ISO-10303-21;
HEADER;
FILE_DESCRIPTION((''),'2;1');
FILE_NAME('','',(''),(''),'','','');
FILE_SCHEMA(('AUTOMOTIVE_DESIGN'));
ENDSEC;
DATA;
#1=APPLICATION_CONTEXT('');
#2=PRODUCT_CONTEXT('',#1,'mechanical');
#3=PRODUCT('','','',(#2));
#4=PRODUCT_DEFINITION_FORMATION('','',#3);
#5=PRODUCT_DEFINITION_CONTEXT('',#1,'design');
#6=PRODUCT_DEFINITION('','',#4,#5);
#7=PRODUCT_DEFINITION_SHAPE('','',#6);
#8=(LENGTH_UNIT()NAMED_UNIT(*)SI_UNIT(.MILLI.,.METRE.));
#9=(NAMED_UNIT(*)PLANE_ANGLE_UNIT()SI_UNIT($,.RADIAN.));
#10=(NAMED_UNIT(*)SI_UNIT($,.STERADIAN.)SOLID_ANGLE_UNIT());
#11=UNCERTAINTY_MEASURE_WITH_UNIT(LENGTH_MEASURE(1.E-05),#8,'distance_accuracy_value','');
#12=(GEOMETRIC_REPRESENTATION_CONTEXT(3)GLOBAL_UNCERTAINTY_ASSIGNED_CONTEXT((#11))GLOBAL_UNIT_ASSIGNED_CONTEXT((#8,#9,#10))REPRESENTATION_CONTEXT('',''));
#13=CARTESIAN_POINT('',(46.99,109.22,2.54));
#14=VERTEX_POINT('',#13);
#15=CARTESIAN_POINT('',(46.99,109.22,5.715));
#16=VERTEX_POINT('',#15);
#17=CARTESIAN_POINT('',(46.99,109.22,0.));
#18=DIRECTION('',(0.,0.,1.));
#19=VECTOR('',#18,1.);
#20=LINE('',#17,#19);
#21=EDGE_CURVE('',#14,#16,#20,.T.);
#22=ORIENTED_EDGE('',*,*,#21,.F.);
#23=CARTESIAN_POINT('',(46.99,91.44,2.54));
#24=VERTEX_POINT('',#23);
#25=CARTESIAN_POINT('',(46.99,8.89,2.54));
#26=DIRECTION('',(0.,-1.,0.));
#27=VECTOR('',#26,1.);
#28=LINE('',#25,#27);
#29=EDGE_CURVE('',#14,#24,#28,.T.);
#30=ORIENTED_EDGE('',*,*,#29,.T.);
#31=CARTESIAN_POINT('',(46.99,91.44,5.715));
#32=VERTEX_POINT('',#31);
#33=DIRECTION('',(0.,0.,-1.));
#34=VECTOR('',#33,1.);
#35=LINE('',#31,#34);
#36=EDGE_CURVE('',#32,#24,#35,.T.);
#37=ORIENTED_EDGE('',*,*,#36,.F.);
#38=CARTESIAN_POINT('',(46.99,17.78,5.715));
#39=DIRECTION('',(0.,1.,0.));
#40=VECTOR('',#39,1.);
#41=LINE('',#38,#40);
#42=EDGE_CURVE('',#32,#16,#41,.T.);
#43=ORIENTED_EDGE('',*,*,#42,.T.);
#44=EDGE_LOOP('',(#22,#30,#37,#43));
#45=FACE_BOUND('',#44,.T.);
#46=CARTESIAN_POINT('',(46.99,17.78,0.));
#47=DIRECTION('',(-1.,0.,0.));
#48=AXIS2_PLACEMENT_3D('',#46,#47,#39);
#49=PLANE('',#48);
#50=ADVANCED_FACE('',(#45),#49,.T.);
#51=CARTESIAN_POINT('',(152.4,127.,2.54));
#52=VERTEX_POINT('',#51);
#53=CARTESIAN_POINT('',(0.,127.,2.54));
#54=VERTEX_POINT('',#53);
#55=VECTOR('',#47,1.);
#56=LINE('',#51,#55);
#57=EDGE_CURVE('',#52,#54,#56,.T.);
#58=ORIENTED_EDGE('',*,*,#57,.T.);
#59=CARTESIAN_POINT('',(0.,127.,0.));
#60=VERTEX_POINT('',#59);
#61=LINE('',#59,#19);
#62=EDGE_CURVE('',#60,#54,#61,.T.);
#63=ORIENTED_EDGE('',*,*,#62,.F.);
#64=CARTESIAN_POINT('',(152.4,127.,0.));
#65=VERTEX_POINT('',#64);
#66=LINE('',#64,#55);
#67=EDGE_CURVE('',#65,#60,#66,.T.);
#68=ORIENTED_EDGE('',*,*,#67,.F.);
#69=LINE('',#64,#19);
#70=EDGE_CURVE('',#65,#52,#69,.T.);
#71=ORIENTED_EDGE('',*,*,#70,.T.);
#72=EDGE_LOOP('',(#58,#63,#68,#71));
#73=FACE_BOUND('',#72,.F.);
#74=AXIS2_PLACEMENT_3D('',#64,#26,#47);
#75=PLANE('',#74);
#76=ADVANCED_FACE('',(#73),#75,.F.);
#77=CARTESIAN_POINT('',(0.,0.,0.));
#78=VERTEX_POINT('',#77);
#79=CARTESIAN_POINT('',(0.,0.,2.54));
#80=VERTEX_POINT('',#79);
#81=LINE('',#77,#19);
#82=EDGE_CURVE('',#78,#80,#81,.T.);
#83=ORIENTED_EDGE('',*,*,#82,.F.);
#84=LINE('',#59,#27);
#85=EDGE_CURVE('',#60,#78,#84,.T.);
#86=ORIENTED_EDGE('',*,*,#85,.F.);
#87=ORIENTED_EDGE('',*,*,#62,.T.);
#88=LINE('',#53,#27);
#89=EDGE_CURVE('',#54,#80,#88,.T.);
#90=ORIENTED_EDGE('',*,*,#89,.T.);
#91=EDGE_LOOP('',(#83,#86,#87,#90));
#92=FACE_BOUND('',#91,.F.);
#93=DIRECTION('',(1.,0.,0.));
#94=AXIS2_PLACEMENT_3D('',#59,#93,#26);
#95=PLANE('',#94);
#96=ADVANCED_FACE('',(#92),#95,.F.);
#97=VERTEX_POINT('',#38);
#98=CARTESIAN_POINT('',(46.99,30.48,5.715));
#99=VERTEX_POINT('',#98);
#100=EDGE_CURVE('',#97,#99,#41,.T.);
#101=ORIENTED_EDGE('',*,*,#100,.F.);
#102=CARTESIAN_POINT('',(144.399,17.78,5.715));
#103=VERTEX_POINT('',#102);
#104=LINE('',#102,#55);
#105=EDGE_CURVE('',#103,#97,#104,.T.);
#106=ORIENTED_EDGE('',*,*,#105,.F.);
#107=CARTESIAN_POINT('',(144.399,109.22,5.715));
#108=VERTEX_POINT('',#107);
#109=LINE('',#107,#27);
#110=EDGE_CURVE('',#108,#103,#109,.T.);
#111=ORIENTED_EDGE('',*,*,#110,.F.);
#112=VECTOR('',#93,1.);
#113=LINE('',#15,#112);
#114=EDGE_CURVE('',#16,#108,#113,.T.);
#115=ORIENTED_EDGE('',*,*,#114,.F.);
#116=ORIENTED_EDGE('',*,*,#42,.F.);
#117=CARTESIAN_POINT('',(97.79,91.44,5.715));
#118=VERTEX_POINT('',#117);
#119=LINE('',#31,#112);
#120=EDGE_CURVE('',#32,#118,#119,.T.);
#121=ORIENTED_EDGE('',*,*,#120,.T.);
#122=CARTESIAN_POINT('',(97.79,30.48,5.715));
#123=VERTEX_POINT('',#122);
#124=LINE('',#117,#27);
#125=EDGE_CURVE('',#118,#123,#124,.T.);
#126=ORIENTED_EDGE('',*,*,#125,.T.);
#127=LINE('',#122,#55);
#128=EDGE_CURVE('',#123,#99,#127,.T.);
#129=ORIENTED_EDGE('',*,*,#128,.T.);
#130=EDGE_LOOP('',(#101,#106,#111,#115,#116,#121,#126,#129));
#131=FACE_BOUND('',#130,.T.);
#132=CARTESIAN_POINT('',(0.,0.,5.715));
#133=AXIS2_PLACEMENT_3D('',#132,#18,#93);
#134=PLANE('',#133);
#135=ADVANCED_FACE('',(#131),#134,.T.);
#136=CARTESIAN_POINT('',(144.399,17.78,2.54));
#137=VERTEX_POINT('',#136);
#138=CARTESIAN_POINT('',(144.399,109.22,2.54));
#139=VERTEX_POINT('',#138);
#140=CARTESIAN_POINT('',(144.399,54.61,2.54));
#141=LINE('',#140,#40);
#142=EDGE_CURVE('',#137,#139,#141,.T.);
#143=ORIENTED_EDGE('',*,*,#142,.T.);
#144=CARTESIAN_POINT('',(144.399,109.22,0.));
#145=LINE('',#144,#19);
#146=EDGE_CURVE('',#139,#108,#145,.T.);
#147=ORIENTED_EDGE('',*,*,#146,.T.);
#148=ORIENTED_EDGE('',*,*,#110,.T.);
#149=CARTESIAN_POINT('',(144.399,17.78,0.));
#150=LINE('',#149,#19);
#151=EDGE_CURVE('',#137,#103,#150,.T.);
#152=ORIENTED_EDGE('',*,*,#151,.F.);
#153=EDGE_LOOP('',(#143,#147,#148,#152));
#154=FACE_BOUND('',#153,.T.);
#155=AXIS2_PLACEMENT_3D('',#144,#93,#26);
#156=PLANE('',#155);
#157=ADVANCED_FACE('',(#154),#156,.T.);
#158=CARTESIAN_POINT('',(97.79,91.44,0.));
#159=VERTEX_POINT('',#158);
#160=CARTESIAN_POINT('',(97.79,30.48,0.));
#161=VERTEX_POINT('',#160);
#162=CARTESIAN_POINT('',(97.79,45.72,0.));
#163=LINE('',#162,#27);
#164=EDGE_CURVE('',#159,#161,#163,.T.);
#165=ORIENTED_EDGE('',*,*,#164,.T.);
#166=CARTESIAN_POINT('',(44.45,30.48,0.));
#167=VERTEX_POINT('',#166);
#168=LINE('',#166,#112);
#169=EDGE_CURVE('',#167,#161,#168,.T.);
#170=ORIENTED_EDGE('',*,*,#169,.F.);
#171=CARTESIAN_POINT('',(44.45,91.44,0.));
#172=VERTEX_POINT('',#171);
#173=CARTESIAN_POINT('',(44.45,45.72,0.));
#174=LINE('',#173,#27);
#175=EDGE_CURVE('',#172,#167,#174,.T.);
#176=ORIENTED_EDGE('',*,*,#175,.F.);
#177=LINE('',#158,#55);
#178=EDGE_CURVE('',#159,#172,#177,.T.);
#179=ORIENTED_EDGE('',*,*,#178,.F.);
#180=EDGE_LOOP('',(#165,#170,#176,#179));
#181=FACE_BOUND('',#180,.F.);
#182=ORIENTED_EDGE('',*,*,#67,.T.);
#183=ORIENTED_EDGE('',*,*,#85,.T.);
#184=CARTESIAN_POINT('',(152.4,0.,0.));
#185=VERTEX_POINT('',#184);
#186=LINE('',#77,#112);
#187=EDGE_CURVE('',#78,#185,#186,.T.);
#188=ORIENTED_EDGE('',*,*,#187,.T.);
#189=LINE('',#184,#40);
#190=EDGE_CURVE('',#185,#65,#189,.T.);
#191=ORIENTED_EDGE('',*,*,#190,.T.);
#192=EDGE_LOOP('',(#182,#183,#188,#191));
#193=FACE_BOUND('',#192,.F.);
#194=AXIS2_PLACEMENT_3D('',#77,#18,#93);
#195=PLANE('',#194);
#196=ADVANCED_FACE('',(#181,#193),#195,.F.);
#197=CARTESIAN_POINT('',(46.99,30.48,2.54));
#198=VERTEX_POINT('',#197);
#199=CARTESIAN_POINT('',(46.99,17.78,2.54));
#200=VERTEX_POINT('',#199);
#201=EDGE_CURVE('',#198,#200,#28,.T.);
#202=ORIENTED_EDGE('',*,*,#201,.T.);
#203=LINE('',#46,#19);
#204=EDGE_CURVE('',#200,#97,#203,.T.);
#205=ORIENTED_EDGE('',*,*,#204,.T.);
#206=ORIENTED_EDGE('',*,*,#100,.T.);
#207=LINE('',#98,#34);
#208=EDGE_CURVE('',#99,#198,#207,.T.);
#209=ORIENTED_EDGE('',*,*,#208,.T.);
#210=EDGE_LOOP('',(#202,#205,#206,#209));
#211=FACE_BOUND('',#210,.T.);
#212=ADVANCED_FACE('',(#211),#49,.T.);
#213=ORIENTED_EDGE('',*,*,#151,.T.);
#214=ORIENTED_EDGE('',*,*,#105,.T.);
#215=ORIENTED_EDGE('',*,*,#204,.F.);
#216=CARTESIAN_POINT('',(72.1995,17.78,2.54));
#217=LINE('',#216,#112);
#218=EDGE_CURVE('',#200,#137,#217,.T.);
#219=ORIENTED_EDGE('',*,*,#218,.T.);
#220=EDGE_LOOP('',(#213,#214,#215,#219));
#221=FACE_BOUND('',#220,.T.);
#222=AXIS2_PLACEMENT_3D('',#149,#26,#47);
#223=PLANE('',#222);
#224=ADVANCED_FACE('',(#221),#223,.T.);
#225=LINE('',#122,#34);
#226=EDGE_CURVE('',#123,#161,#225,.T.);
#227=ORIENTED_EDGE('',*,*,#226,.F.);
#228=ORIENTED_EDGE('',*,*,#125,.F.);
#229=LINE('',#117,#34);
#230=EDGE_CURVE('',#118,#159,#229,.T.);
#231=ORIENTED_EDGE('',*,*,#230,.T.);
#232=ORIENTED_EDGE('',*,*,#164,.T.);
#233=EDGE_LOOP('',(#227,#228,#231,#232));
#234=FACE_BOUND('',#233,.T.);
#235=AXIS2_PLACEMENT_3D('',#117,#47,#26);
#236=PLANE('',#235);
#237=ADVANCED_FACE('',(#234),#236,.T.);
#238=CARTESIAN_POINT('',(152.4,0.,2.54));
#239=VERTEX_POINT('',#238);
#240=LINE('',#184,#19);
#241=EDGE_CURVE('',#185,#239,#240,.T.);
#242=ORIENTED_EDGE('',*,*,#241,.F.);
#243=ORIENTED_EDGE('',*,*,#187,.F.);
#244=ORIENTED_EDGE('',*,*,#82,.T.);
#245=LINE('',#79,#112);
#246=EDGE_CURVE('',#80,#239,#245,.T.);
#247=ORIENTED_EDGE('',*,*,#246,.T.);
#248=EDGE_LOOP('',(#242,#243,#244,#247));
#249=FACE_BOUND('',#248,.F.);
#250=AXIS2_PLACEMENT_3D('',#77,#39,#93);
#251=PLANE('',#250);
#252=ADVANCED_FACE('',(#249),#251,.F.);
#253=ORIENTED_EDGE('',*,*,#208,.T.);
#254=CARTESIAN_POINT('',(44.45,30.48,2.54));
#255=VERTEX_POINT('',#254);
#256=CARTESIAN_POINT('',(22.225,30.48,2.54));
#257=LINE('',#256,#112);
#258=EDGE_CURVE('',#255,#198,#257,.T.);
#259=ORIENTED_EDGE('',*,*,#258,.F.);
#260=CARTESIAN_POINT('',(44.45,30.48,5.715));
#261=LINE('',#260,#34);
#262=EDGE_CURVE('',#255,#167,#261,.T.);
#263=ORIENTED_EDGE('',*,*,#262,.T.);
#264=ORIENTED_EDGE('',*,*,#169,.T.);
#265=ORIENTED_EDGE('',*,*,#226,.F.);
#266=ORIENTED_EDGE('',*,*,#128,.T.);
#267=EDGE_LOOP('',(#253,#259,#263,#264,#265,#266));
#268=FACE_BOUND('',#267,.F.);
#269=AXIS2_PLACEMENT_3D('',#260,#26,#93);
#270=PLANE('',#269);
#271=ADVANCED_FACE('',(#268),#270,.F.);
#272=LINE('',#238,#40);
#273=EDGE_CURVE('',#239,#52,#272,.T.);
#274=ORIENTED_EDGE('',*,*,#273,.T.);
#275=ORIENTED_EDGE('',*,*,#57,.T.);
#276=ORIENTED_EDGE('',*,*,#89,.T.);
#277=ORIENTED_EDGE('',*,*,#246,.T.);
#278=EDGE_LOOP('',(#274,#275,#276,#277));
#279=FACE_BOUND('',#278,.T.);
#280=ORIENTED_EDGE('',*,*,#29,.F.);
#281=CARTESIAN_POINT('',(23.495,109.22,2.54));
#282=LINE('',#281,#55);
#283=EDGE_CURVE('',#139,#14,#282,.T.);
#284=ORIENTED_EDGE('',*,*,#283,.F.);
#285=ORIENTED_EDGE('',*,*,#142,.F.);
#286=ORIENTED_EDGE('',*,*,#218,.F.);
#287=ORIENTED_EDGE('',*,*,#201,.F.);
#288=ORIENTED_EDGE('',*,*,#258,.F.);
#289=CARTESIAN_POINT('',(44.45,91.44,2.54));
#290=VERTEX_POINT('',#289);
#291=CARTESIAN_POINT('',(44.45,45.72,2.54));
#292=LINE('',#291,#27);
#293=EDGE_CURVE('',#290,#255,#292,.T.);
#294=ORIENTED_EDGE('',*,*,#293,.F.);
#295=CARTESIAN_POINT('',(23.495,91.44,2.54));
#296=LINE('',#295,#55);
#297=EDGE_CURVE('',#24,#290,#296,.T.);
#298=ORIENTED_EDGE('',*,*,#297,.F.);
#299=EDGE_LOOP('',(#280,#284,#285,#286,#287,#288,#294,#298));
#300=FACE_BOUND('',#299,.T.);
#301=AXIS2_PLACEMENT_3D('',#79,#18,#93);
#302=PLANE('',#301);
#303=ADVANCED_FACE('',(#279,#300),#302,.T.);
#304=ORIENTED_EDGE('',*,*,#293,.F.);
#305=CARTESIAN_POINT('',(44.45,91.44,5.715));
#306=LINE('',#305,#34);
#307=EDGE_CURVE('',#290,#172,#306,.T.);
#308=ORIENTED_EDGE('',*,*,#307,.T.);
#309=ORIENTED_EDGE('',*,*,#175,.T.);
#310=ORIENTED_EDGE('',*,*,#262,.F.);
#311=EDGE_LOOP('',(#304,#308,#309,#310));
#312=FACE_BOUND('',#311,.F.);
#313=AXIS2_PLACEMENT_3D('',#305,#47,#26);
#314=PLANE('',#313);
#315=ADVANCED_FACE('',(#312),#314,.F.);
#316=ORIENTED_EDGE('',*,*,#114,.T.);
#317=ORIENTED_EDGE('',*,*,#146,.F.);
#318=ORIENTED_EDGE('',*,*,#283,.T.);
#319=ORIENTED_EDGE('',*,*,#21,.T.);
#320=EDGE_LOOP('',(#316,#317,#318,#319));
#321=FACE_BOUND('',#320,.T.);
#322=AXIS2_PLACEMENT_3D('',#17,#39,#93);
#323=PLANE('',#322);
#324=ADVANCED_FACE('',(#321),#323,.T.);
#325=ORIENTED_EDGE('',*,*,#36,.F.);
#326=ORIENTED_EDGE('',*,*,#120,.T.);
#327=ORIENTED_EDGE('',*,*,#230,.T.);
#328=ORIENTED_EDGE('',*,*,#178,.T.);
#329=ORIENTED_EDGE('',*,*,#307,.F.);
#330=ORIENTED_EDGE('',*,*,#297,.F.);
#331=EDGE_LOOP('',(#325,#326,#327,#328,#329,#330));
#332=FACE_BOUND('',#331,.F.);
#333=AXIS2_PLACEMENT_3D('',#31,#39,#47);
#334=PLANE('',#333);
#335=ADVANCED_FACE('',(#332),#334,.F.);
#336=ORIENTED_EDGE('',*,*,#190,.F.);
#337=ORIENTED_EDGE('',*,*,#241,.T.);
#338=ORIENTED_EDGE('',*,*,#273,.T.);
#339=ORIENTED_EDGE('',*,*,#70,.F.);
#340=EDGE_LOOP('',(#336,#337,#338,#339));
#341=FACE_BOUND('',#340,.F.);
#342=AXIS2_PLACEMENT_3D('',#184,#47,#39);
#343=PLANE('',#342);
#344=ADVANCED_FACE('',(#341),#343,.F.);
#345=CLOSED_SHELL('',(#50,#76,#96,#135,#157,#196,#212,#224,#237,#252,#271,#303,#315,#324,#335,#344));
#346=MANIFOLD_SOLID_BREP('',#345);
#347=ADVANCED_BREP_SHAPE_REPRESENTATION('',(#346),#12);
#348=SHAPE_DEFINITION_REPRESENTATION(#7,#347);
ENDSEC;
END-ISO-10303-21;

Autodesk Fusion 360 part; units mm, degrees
sketch "Sketch1" plane through (0, 0, 0) normal (0, 0, 1) x (1, 0, 0)
  line L0 (0, 0) -> (152.4, 0)
  line L1 (152.4, 0) -> (152.4, 127)
  line L2 (152.4, 127) -> (0, 127)
  line L3 (0, 127) -> (0, 0)
  line L4 (46.99, 109.22) -> (144.399, 109.22)
  line L5 (144.399, 109.22) -> (144.399, 17.78)
  line L6 (144.399, 17.78) -> (46.99, 17.78)
  line L7 (46.99, 17.78) -> (46.99, 109.22)
  dimension "d1" = 152.4
  dimension "d2" = 127
  dimension "d3" = 97.409
  dimension "d4" = 91.44
  dimension "d5" = 46.99
  dimension "d6" = 17.78
extrude "Extrude1" add sketch "Sketch1" along normal blind 2.54 contours L0 L1 L2 L3 | L4 L5 L6 L7
extrude "Extrude2" add sketch "Sketch1" along normal blind 5.715 contours L4 L5 L6 L7
sketch "Sketch2" plane through (0, 0, 5.715) normal (0, 0, 1) x (-1, 0, 0)
  line L0 (-46.99, -17.78) -> (-144.399, -17.78)
  line L1 (-144.399, -17.78) -> (-144.399, -109.22)
  line L2 (-144.399, -109.22) -> (-46.99, -109.22)
  line L3 (-46.99, -109.22) -> (-46.99, -17.78)
  line L4 (-46.99, -91.44) -> (-97.79, -91.44)
  line L5 (-97.79, -91.44) -> (-97.79, -30.48)
  line L6 (-97.79, -30.48) -> (-46.99, -30.48)
  line L7 (-46.99, -25.4) -> (-46.99, -30.48)
  line L8 (-46.99, -91.44) -> (-44.45, -91.44)
  line L9 (-44.45, -91.44) -> (-44.45, -30.48)
  line L10 (-44.45, -30.48) -> (-46.99, -30.48)
  line L11 (-46.99, -30.48) -> (-46.99, -91.44)
  dimension "d11" = 60.96
  dimension "d12" = 17.78
  dimension "d15" = 50.8
  dimension "d19" = 2.54
  dimension "d20" = 60.96
extrude "Extrude3" cut sketch "Sketch2" against normal blind 38.1 contours L3 L4 L5 L6 L11
extrude "Extrude4" cut sketch "Sketch2" against normal blind 60.96 contours L3 L8 L9 L10 L11
